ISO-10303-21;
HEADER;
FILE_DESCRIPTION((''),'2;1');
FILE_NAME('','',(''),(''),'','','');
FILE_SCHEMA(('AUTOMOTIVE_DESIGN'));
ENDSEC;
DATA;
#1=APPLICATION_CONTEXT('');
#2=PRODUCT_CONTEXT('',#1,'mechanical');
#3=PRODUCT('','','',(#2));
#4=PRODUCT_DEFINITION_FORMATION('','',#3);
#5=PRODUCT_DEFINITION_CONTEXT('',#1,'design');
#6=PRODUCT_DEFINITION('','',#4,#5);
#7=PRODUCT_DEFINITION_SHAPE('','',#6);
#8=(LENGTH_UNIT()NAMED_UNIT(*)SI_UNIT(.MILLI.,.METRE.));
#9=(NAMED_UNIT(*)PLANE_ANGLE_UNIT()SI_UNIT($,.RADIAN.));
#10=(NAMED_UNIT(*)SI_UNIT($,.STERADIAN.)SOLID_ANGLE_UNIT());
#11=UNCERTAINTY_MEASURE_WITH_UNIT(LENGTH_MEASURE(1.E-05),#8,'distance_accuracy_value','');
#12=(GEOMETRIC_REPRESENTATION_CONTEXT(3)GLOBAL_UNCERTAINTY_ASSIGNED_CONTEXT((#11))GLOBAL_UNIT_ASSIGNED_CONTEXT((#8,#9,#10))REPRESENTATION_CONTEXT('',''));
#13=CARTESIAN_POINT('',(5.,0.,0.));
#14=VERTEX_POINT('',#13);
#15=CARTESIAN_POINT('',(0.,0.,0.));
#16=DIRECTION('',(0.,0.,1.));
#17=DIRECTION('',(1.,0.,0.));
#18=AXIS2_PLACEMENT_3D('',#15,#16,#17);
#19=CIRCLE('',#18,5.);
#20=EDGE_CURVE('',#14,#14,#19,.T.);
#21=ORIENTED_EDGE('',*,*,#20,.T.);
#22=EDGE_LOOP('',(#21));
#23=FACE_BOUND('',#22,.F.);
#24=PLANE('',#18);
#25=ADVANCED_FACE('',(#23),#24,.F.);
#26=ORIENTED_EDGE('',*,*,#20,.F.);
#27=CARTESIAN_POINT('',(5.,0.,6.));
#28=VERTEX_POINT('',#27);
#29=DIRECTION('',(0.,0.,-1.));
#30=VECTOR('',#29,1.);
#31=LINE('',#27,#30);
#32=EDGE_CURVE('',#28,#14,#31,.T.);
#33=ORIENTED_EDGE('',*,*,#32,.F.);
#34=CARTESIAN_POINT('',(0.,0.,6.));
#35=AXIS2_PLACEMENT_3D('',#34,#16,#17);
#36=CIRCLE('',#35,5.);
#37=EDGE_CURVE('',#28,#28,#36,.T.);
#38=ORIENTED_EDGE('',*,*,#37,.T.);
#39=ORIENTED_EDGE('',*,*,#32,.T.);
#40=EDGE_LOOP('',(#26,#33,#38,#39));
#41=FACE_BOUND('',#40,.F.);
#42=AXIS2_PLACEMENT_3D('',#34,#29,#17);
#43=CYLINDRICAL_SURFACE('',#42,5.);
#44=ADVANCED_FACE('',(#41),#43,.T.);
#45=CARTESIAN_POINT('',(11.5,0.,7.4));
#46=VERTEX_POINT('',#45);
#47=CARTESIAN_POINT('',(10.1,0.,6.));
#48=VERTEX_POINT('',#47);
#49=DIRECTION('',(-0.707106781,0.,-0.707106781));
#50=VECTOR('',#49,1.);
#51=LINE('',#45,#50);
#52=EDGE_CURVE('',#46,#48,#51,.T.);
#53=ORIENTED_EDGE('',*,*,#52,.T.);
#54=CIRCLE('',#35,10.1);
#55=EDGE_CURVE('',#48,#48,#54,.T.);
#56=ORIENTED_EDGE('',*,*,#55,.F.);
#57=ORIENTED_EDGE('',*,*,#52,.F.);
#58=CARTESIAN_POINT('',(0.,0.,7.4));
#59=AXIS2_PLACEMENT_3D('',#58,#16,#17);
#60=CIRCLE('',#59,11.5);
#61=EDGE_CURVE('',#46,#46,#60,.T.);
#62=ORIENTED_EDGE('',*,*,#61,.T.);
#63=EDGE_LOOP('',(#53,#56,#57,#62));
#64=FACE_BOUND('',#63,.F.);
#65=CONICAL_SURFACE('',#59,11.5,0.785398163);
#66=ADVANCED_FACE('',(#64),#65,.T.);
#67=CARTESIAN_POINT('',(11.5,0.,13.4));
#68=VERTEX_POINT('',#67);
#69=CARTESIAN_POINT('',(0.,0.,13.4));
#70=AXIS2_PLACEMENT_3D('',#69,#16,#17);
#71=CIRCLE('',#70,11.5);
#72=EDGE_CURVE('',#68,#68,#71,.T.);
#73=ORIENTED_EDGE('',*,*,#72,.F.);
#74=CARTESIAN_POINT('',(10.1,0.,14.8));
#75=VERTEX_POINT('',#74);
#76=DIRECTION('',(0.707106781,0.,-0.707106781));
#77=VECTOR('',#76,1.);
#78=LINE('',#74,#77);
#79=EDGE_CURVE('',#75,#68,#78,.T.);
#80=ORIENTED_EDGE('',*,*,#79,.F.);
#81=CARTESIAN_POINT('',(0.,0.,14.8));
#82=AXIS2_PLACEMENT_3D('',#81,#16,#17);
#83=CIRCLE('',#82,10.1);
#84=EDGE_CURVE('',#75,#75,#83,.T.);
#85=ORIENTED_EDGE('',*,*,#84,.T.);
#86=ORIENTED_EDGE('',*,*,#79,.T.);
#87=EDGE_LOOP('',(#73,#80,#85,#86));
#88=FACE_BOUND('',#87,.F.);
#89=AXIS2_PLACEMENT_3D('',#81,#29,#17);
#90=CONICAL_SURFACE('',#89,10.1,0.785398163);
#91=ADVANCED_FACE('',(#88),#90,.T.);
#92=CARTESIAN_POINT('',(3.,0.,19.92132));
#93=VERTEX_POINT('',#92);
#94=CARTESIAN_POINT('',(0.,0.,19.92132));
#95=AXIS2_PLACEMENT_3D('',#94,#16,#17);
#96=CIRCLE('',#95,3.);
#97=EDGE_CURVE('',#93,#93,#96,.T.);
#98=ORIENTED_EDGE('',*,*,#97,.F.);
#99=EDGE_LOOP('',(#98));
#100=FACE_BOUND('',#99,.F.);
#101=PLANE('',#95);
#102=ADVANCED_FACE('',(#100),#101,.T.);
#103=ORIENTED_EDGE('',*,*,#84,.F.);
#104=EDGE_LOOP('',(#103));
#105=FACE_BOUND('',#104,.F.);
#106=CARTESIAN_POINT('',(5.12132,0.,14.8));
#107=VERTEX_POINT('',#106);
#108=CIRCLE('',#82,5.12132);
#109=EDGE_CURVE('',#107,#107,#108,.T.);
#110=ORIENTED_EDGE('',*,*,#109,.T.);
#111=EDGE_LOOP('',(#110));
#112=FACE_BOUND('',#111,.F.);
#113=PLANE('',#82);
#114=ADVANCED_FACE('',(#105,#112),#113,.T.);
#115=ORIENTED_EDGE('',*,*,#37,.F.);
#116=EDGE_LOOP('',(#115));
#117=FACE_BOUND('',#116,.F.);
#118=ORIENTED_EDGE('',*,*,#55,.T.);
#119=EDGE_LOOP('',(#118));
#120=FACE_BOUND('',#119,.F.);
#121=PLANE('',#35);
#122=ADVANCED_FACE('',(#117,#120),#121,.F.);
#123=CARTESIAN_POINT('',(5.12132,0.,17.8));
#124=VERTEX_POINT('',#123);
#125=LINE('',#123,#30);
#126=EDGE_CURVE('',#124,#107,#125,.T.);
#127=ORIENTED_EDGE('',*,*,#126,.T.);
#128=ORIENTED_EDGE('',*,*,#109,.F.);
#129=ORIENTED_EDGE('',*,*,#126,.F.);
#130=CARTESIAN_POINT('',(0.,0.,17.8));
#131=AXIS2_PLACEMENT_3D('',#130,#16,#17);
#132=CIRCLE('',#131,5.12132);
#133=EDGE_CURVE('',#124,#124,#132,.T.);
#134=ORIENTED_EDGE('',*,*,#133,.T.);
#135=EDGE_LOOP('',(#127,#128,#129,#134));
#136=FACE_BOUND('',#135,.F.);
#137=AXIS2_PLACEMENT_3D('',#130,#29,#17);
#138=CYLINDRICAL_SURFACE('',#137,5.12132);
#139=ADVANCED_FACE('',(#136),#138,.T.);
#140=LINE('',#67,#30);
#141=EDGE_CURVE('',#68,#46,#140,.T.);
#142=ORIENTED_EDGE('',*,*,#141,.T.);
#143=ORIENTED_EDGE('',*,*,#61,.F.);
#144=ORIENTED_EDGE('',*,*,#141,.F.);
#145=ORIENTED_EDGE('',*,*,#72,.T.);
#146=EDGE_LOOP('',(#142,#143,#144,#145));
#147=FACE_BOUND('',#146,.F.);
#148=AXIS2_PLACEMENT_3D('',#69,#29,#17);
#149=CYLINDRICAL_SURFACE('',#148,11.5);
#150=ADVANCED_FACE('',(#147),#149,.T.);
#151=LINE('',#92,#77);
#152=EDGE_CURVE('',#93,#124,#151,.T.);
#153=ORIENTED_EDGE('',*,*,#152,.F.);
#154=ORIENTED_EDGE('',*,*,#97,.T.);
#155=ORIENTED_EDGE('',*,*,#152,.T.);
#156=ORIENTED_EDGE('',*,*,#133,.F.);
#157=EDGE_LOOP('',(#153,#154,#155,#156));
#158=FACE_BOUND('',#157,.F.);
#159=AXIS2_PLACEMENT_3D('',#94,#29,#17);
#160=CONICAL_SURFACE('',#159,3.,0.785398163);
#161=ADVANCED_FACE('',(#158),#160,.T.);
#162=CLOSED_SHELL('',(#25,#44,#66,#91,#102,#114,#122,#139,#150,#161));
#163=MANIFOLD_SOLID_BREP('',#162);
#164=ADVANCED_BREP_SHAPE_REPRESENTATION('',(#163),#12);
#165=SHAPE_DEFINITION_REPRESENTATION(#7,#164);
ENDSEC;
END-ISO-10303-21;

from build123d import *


with BuildPart() as part:
    # Sketch → Revolution (revolve)
    with BuildSketch(Plane.XZ):
        Polygon((0, 19.92132), (3, 19.92132), (5.12132, 17.8), (5.12132, 14.8), (10.1, 14.8), (11.5, 13.4), (11.5, 7.4), (10.1, 6), (5, 6), (5, 0), (0, 0), align=None)
    revolve(axis=Axis((0, 0, 0), (0, 0, 1)))


solid = part.part
